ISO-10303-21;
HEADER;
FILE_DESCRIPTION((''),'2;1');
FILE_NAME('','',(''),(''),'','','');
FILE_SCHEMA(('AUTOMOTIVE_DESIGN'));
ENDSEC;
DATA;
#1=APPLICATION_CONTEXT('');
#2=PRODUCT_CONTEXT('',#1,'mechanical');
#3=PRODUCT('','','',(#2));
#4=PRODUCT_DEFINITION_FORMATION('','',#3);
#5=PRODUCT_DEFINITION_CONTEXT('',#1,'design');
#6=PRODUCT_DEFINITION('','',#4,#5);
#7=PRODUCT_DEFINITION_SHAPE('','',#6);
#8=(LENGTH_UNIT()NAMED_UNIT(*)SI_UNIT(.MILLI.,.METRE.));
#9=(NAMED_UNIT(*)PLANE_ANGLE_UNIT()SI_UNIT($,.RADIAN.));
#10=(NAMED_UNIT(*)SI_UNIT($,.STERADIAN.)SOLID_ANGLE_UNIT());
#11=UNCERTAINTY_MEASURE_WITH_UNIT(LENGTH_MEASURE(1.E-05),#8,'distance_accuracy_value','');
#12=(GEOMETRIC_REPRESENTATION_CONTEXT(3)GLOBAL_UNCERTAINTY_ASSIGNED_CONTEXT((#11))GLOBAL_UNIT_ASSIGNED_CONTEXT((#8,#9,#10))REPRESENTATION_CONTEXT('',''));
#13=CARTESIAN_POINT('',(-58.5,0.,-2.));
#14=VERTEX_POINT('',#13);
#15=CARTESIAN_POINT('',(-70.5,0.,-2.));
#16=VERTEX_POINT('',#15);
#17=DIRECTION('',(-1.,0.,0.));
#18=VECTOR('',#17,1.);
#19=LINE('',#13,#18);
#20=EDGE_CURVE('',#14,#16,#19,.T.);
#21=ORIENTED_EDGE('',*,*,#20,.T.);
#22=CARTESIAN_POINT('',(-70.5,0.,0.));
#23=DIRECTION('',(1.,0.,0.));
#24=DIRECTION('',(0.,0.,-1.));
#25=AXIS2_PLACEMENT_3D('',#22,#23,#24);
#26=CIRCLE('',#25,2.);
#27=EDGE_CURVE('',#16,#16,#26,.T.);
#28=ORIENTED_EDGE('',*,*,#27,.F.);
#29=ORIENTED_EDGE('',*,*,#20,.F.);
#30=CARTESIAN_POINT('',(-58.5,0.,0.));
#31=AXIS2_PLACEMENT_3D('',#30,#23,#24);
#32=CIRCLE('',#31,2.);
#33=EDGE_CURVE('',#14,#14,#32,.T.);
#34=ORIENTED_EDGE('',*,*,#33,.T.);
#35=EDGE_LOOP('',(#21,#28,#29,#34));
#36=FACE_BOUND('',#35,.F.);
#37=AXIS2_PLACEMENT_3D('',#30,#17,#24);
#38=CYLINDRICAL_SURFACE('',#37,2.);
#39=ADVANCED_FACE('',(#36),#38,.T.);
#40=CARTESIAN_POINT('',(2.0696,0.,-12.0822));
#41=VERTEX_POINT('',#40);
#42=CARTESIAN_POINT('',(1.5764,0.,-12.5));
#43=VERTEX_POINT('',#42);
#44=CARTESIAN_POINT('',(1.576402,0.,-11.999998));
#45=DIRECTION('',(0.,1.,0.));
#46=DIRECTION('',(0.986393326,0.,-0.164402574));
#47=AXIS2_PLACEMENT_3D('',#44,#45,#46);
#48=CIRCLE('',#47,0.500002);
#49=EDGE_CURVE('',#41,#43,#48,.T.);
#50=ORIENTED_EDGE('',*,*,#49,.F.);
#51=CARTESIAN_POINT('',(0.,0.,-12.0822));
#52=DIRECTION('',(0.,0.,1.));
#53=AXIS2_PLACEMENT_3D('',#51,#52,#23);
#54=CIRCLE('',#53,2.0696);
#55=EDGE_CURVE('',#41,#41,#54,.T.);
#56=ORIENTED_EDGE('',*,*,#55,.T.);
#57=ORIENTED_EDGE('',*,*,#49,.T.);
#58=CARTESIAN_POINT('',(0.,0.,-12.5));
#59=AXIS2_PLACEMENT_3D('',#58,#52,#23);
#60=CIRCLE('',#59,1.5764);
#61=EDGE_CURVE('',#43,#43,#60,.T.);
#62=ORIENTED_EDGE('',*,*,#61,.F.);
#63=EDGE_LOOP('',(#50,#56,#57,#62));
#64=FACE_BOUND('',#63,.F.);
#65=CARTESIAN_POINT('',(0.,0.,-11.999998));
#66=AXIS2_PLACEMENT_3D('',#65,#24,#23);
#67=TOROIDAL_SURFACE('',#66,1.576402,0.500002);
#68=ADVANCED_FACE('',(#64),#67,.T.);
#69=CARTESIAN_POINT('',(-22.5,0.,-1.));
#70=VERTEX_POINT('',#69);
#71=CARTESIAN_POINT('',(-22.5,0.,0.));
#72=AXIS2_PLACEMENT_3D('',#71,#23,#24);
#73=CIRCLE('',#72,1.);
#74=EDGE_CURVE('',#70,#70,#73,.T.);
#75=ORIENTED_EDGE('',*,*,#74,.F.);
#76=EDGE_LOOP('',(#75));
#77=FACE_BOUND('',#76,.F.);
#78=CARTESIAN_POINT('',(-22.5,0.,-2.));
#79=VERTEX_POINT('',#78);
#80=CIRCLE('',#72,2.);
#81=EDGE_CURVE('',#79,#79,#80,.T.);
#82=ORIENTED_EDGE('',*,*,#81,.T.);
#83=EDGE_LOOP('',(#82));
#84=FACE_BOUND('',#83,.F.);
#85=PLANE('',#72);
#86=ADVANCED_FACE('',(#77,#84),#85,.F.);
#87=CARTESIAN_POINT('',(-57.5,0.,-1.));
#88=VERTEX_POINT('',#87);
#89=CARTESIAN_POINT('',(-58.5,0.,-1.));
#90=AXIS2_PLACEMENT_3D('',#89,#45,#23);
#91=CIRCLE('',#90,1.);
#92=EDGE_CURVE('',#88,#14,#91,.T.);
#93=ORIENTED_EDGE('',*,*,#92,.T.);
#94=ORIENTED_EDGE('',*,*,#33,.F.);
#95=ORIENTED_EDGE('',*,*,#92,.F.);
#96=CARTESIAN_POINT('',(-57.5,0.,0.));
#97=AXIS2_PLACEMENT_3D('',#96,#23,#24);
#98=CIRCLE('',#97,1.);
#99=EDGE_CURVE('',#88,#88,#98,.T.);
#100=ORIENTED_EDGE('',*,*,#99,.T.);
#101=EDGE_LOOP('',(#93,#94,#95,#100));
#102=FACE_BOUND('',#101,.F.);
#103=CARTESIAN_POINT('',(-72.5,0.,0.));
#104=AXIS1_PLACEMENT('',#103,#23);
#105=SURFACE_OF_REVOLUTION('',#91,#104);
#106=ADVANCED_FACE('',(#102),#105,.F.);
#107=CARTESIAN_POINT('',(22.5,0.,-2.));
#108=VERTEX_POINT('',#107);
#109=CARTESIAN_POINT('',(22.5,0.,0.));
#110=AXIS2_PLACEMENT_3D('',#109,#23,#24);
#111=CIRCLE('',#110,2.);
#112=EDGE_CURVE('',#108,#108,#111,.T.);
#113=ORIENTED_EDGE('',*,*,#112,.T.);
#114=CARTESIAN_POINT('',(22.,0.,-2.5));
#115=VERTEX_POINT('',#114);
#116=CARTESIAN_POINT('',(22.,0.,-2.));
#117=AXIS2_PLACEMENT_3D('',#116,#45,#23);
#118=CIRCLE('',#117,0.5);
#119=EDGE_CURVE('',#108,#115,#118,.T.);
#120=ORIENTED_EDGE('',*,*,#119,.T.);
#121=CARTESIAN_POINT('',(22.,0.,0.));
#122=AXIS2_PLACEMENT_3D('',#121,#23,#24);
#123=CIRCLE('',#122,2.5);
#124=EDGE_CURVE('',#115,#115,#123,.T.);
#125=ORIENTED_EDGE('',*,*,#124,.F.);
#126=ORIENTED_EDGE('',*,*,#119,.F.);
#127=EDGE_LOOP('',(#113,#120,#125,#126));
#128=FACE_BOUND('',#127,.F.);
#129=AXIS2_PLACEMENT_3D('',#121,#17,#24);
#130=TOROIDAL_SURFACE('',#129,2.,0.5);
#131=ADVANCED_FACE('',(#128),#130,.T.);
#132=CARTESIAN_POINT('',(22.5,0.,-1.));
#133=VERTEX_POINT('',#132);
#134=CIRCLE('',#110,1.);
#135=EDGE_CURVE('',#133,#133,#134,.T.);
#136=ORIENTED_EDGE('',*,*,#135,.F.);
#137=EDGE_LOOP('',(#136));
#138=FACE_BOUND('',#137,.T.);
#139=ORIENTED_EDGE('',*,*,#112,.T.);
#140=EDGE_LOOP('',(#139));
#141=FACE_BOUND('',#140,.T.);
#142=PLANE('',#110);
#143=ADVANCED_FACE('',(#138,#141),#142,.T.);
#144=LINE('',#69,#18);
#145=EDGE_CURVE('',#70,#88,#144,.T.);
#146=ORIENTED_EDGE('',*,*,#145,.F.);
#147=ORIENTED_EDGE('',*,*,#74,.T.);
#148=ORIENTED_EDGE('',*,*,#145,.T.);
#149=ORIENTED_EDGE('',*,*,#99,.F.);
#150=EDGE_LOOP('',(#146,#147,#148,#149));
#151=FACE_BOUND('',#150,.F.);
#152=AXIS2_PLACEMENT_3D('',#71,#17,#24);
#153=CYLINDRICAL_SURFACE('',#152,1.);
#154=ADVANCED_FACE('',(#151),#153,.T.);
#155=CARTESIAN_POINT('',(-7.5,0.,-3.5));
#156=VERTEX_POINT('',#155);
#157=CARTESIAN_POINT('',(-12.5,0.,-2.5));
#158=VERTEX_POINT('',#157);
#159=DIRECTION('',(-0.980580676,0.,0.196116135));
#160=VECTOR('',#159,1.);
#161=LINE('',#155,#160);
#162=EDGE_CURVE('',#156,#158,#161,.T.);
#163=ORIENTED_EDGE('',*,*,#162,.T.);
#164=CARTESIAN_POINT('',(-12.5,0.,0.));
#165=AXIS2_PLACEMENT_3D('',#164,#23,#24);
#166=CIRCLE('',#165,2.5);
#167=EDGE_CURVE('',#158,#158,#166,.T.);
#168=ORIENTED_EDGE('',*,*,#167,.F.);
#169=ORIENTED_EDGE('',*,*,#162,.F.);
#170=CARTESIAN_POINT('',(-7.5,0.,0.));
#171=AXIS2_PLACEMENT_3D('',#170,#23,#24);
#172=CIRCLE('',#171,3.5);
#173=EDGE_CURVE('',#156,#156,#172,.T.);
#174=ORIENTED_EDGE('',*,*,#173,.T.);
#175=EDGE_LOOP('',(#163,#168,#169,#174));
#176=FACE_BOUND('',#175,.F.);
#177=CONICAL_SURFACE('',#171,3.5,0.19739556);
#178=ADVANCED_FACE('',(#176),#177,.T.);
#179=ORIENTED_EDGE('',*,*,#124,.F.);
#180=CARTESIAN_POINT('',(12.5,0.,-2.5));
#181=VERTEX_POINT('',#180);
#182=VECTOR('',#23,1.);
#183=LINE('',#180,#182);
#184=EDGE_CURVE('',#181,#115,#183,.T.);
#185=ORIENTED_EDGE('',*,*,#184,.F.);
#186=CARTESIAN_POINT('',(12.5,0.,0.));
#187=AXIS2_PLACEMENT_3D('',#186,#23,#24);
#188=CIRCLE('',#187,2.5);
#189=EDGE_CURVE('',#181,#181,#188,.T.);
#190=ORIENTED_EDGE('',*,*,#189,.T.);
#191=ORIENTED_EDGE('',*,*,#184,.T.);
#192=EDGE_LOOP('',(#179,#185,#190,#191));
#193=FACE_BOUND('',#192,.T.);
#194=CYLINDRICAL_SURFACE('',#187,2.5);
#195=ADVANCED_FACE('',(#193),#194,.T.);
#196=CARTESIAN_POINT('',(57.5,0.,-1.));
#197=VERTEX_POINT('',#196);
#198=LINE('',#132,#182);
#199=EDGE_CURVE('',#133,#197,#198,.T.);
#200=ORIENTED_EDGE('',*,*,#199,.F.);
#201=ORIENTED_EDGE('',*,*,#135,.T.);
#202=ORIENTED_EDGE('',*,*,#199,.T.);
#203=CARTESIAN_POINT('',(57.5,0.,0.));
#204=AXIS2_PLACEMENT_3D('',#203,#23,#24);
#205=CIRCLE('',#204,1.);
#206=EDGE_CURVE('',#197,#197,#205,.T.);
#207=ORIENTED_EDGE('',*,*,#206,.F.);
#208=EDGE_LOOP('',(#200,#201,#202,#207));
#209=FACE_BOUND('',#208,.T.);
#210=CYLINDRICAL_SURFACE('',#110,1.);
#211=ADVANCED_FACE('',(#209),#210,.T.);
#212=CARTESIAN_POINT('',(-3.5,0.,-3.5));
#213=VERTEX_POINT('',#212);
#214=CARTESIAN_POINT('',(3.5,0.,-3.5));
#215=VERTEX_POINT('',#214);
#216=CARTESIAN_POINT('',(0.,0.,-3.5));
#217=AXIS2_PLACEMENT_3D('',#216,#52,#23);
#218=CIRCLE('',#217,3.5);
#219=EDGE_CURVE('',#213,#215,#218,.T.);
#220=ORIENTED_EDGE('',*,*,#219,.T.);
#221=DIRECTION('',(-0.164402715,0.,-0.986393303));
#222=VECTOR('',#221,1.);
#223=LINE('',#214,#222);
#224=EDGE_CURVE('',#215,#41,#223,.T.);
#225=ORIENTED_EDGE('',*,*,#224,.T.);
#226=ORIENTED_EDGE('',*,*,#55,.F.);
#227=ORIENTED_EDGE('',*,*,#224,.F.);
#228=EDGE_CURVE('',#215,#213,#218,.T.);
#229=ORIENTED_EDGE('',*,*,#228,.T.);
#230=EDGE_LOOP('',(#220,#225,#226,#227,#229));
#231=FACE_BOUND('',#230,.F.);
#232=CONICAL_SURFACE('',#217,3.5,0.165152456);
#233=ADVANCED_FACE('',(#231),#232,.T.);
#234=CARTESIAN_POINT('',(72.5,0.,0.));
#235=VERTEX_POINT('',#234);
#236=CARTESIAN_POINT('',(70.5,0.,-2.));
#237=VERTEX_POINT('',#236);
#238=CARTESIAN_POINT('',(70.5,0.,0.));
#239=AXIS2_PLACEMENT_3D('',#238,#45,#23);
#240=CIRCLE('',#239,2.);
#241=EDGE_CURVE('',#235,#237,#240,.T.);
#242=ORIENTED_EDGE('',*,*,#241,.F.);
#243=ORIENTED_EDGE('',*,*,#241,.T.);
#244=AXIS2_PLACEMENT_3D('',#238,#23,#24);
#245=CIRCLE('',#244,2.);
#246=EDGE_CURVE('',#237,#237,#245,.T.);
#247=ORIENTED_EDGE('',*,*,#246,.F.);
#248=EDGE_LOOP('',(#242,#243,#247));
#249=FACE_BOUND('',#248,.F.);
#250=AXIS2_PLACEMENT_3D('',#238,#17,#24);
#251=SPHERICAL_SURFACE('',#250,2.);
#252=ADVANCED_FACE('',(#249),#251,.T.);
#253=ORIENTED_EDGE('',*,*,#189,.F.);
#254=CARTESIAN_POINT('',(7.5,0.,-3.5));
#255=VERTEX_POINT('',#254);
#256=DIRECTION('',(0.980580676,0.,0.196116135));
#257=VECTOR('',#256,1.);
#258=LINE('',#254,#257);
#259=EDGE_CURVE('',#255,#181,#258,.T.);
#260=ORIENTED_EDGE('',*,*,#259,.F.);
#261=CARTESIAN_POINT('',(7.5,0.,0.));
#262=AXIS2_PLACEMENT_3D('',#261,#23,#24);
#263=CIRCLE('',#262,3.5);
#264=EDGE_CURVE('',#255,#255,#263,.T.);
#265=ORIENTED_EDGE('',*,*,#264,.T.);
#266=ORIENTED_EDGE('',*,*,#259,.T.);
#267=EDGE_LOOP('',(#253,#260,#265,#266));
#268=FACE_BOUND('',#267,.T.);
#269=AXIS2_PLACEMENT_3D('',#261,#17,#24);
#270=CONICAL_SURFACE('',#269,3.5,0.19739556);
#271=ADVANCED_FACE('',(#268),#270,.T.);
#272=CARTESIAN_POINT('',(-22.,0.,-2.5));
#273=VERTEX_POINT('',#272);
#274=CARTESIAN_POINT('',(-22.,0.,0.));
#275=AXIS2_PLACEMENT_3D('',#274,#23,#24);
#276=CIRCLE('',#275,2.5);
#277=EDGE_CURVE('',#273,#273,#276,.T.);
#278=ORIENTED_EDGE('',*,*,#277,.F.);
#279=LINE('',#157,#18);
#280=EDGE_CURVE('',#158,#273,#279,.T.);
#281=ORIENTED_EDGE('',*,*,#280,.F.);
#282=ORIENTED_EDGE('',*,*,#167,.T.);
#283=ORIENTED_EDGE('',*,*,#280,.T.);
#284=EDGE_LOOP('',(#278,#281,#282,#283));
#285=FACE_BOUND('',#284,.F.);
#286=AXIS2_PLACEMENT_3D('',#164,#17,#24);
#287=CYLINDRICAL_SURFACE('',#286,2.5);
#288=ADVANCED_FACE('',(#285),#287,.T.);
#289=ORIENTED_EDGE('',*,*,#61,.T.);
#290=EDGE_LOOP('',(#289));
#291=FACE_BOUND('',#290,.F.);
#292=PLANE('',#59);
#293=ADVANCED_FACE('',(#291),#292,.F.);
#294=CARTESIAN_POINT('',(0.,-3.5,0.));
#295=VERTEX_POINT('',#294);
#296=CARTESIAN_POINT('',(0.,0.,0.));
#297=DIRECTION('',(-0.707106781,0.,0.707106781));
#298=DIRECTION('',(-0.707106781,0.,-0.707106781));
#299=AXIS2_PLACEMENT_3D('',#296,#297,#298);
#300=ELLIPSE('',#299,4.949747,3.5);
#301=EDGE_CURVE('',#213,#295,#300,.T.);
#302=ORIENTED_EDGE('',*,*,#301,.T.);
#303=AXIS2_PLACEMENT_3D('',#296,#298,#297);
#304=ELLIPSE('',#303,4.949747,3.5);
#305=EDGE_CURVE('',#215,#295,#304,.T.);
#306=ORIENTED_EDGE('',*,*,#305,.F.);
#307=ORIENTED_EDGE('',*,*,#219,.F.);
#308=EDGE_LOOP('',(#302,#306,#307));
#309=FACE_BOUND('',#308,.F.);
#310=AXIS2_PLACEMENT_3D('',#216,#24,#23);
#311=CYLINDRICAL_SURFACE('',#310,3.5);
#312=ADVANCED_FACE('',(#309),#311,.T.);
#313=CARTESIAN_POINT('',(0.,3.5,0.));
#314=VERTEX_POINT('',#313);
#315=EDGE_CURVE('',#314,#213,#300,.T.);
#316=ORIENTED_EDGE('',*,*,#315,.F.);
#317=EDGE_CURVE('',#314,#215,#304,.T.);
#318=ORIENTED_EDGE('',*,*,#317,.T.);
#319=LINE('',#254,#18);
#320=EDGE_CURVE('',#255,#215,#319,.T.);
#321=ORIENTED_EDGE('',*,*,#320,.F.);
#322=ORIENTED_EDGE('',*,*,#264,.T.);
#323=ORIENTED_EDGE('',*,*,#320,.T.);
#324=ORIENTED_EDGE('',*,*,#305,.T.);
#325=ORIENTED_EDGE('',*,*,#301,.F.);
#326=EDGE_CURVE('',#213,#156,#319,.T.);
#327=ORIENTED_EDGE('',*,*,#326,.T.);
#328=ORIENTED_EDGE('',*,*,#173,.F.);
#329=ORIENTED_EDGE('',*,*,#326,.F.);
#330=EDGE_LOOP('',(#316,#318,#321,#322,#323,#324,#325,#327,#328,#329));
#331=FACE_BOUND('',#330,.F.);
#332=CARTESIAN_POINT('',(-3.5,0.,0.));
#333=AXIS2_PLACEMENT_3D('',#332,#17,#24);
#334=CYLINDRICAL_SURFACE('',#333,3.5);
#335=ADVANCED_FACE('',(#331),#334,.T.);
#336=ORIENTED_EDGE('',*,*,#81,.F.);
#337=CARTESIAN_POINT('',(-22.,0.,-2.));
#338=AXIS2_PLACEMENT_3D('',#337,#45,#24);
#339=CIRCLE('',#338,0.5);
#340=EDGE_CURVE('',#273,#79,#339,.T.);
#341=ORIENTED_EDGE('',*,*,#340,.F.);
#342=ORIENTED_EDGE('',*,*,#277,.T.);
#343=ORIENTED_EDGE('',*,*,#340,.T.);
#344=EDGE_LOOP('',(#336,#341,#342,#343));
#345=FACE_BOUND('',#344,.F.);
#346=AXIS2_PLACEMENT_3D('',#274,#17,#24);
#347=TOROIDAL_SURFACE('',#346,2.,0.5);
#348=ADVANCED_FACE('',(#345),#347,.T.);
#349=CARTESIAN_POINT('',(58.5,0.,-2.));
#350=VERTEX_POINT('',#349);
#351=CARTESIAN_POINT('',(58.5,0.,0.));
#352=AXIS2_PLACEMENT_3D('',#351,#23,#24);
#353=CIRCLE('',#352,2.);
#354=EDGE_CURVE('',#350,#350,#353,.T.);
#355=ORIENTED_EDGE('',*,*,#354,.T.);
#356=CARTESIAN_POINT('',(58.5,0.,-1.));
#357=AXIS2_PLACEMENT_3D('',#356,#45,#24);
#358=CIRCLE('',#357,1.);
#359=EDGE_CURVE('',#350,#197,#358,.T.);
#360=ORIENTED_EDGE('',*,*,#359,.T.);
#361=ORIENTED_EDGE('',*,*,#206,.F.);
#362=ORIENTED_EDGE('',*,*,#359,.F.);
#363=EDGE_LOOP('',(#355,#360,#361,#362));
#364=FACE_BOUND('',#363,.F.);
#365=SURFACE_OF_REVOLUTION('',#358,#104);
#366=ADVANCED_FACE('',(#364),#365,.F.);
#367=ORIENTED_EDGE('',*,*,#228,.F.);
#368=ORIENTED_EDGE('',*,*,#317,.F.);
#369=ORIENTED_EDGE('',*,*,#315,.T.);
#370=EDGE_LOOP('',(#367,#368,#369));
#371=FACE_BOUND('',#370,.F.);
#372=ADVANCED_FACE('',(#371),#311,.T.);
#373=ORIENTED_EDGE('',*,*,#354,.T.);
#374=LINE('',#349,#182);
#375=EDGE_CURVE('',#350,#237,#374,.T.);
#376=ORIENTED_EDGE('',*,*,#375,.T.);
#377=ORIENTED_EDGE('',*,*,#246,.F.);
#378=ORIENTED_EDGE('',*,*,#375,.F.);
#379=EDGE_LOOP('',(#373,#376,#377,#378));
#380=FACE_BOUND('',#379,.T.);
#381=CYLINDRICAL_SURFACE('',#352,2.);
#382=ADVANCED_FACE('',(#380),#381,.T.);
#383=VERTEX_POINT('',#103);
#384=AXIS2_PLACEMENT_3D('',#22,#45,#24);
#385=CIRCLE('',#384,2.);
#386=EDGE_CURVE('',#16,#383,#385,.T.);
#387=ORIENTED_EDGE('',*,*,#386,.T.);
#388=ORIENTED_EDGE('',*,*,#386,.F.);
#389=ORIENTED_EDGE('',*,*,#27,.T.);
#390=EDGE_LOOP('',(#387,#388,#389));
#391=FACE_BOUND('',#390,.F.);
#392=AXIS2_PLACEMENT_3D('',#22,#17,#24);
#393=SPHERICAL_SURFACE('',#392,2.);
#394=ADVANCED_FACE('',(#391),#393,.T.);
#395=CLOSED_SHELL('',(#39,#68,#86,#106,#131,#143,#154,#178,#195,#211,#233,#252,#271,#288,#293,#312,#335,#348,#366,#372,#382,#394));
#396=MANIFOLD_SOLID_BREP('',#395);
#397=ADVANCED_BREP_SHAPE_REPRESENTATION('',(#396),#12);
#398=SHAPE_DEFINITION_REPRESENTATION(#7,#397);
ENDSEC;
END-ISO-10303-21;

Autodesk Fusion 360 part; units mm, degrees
sketch "Sketch1" plane through (0, 0, 0) normal (0, 1, 0) x (1, 0, 0)
  line L0 (7.5, -3.5) -> (0, -3.5)
  line L1 (3.5, 3.5) -> (7.5, 3.5)
  line L2 (7.5, 3.5) -> (12.5, 2.5)
  line L3 (7.5, -3.5) -> (12.5, -2.5)
  line L4 (12.5, 2.5) -> (22, 2.5)
  line L5 (12.5, -2.5) -> (22, -2.5)
  line L6 (22.5, 2) -> (22.5, -2)
  line L7 (57.5, -1) -> (22.5, -1)
  line L8 (22.5, 1) -> (57.5, 1)
  line L9 (57.5, 1) -> (57.5, -1)
  line L10 (70.5, -2) -> (58.5, -2)
  line L11 (58.5, 2) -> (70.5, 2)
  line L12 (72.5, 0) -> (72.5, 0) construction
  line L13 (57.5, 1) -> (57.5, 1) construction
  line L14 (57.5, -1) -> (57.5, -1) construction
  arc A0 (58.5, 2) -> (57.5, 1) centre (58.5, 1) ccw
  arc A1 (57.5, -1) -> (58.5, -2) centre (58.5, -1) ccw
  arc A2 (72.5, 0) -> (70.5, 2) centre (70.5, 0) ccw
  arc A3 (70.5, -2) -> (72.5, 0) centre (70.5, 0) ccw
  line L15 (1.5764, 12.5) -> (0, 12.5)
  line L16 (3.5, 3.5) -> (2.0696, 12.0822)
  arc A4 (22.5, 2) -> (22, 2.5) centre (22, 2) ccw
  arc A5 (22, -2.5) -> (22.5, -2) centre (22, -2) ccw
  line L17 (-7.5, -3.5) -> (-12.5, -2.5)
  line L18 (-12.5, -2.5) -> (-22, -2.5)
  arc A6 (-22.5, -2) -> (-22, -2.5) centre (-22, -2) ccw
  line L19 (-22.5, 2) -> (-22.5, -2)
  arc A7 (-22, 2.5) -> (-22.5, 2) centre (-22, 2) ccw
  line L20 (-12.5, 2.5) -> (-22, 2.5)
  line L21 (-7.5, 3.5) -> (-12.5, 2.5)
  line L22 (-3.5, 3.5) -> (-7.5, 3.5)
  line L23 (-1.5764, 12.5) -> (0, 12.5)
  line L24 (-3.5, 3.5) -> (-2.0696, 12.0822)
  line L25 (-7.5, -3.5) -> (0, -3.5)
  line L26 (-22.5, 1) -> (-57.5, 1)
  line L27 (-57.5, -1) -> (-22.5, -1)
  arc A8 (-57.5, 1) -> (-58.5, 2) centre (-58.5, 1) ccw
  arc A9 (-70.5, 2) -> (-72.5, 0) centre (-70.5, 0) ccw
  arc A10 (-72.5, 0) -> (-70.5, -2) centre (-70.5, 0) ccw
  line L28 (-70.5, -2) -> (-58.5, -2)
  arc A11 (-58.5, -2) -> (-57.5, -1) centre (-58.5, -1) ccw
  line L29 (-58.5, 2) -> (-70.5, 2)
  line L30 (-57.5, 1) -> (-57.5, -1)
  arc A12 (-1.5764, 12.5) -> (-2.0696, 12.0822) centre (-1.5764, 12) ccw
  arc A13 (2.0696, 12.0822) -> (1.5764, 12.5) centre (1.5764, 12) ccw
  line L31 (-3.5, 3.5) -> (3.5, 3.5)
  line L32 (-72.5, 0) -> (72.5, 0)
  line L33 (0, 12.5) -> (0, 3.5)
  point P0 (0, 3.5)
  dimension "d28" = 7
  dimension "d37" = 1
  dimension "d38" = 1
  dimension "d39" = 2
  dimension "d40" = 2
  dimension "d43" = 0.5
  dimension "d44" = 0.5
  dimension "d45" = 0.5
  dimension "d46" = 0.5
revolve "Revolve2" add sketch "Sketch1" angle 360 about axis through (0, 0, -12.5) along (0, 0, 1) contours L15 L16 A13 L31 L33 makes body 1
revolve "Revolve1" add sketch "Sketch1" angle 360 about axis through (-72.5, 0, 0) along (1, 0, 0) separate body contours L1 L2 L4 L6 A4 L19 A7 L20 L21 L22 L31 L32 | L6 L8 L9 L32 | L19 L26 L30 L32 | L9 L11 A0 A2 L32 | A8 A9 L29 L30 L32 makes body 2
extrude "Extrude1" add 1 faces at (-0.8429, -2.1478, -3.5) along direction (0, 0, 1) blind 3.5 on bodies 1 bodies 1 2
